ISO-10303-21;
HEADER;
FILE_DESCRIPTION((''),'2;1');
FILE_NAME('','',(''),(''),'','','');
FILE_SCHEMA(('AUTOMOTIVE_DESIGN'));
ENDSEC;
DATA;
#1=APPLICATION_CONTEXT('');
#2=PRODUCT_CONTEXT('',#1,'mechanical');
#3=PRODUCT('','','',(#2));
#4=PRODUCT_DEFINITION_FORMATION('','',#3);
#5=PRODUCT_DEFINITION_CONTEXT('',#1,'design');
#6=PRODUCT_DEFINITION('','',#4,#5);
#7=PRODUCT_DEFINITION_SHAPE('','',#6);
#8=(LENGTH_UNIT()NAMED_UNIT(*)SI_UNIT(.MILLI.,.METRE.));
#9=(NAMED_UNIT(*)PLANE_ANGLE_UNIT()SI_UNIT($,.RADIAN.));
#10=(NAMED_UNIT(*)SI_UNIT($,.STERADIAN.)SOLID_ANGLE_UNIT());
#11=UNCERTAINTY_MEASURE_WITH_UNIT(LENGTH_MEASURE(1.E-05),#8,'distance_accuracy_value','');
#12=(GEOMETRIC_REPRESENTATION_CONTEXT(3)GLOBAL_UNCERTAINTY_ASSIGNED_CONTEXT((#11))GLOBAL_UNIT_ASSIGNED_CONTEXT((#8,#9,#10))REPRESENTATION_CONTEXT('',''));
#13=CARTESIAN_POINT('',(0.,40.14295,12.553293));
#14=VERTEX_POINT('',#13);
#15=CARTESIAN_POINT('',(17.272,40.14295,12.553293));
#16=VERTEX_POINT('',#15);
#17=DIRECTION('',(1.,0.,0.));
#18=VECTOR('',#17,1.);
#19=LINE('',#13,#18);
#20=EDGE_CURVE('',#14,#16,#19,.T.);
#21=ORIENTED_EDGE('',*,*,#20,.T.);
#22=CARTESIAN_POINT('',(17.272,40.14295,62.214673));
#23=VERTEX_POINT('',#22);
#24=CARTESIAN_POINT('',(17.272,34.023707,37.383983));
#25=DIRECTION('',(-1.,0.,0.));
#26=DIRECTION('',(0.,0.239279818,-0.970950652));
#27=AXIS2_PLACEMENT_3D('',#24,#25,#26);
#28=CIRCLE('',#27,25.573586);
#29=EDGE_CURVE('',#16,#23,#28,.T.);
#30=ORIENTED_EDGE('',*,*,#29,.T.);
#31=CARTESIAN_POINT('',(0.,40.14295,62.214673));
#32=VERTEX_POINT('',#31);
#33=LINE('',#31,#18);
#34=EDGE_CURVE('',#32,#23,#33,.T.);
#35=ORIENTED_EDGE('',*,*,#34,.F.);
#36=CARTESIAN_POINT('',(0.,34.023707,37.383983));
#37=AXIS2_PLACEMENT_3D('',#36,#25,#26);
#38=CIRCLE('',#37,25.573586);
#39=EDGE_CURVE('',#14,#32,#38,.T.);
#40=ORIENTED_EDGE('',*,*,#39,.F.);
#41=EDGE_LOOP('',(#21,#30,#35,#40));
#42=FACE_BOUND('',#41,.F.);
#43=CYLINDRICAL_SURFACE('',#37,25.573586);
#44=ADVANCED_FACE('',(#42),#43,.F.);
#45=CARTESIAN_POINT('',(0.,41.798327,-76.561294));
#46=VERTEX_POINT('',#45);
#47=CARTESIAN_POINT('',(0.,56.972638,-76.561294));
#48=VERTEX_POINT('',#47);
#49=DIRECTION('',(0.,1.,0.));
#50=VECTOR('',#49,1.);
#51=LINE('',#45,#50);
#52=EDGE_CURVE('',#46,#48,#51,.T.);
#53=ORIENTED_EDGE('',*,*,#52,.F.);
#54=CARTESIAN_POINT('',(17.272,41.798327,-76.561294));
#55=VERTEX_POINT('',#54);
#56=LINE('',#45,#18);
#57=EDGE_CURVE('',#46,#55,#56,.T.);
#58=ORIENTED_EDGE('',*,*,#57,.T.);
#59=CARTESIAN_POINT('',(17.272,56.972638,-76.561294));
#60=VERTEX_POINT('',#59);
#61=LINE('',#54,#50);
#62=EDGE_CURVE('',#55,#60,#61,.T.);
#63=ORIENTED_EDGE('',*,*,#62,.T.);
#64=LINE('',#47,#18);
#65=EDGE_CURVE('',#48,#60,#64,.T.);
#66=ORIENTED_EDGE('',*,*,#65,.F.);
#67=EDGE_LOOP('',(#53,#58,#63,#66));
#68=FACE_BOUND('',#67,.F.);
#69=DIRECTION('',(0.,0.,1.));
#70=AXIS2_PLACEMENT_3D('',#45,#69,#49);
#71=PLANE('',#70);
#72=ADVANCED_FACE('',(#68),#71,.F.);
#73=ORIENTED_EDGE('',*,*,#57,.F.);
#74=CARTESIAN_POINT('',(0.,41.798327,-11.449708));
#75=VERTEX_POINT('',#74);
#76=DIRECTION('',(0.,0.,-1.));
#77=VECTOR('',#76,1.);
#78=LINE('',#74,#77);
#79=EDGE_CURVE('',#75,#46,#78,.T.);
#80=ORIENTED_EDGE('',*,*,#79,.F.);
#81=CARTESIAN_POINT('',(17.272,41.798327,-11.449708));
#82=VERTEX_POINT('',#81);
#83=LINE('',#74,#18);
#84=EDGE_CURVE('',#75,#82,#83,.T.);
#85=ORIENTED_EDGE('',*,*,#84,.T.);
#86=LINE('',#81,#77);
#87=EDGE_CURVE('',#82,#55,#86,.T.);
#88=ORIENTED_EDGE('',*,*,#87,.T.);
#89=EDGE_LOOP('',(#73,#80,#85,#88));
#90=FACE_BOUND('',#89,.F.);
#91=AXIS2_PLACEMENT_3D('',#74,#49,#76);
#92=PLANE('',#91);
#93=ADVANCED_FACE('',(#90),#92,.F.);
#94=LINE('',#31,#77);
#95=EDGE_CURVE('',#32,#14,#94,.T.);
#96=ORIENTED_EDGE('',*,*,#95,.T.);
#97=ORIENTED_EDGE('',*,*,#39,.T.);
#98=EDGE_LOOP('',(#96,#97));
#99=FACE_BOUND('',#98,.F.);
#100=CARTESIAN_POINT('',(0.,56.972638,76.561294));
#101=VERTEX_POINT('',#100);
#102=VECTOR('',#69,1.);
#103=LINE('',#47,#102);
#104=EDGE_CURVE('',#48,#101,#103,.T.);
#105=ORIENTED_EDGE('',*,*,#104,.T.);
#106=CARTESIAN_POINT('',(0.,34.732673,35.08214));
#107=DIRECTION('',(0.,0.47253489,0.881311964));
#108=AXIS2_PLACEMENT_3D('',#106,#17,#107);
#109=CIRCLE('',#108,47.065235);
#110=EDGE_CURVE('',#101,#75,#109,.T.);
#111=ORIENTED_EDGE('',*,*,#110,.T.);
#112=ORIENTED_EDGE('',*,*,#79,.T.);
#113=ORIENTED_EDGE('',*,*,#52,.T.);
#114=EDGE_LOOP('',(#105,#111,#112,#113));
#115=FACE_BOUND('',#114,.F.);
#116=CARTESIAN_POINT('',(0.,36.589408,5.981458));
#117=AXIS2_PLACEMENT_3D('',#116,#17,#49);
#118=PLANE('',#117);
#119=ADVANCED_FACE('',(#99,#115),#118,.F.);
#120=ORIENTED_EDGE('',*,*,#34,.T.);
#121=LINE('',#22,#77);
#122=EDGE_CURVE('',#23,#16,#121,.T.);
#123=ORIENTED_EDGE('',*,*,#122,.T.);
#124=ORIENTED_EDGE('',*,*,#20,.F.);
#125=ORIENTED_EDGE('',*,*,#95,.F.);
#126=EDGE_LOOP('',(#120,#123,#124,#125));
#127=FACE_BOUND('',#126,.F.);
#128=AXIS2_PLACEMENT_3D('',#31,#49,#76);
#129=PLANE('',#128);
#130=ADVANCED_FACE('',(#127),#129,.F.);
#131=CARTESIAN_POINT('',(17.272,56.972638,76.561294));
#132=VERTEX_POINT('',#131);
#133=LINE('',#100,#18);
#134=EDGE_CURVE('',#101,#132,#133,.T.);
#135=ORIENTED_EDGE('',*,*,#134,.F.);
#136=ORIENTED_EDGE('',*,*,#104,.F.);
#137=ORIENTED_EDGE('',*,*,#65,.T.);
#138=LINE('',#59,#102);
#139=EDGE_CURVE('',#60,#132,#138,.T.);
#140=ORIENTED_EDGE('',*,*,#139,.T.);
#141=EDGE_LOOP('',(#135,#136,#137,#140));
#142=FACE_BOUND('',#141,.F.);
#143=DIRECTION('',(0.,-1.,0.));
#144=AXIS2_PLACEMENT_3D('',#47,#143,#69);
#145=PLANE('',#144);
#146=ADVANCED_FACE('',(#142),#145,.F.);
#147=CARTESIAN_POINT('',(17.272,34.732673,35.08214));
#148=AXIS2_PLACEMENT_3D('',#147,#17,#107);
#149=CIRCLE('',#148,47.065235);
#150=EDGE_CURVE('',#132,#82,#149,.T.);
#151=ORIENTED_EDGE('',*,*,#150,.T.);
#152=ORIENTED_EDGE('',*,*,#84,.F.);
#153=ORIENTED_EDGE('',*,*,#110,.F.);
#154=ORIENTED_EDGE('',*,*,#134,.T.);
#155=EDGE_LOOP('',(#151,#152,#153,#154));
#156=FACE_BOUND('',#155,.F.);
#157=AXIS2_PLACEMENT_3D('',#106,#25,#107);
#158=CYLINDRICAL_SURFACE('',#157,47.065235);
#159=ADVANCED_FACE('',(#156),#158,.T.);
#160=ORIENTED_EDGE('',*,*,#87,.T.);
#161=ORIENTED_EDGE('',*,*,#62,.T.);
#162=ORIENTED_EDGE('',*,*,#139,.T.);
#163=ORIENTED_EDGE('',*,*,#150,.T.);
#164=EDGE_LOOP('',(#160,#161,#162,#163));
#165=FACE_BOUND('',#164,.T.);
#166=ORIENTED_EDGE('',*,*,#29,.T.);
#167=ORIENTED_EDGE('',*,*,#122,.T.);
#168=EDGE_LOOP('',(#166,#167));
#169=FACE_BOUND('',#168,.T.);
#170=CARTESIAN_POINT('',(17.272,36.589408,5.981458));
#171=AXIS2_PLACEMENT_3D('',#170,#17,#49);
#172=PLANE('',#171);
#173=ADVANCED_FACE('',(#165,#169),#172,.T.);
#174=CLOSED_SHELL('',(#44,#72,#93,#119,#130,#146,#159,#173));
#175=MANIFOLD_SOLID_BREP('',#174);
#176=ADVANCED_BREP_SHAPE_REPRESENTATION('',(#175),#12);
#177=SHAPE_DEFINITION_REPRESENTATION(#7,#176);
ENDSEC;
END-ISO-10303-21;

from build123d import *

# Parameters (mm, degrees)
F1_DEPTH = 17.272


with BuildPart() as f1:
    # F0 (on Right) → F1 (new body)
    with BuildSketch(Plane.YZ):
        with BuildLine():
            Line((56.972638, -76.561294), (56.972638, 76.561294))
            ThreePointArc((56.972638, 76.561294), (-11.648239, 43.078849), (41.798327, -11.449708))
            Line((41.798327, -11.449708), (41.798327, -76.561294))
            Line((41.798327, -76.561294), (56.972638, -76.561294))
        make_face()
        with BuildLine():
            ThreePointArc((40.14295, 12.553293), (8.450121, 37.383983), (40.14295, 62.214673))
            Line((40.14295, 62.214673), (40.14295, 12.553293))
        make_face(mode=Mode.SUBTRACT)
    extrude(amount=F1_DEPTH)


solid = f1.part
